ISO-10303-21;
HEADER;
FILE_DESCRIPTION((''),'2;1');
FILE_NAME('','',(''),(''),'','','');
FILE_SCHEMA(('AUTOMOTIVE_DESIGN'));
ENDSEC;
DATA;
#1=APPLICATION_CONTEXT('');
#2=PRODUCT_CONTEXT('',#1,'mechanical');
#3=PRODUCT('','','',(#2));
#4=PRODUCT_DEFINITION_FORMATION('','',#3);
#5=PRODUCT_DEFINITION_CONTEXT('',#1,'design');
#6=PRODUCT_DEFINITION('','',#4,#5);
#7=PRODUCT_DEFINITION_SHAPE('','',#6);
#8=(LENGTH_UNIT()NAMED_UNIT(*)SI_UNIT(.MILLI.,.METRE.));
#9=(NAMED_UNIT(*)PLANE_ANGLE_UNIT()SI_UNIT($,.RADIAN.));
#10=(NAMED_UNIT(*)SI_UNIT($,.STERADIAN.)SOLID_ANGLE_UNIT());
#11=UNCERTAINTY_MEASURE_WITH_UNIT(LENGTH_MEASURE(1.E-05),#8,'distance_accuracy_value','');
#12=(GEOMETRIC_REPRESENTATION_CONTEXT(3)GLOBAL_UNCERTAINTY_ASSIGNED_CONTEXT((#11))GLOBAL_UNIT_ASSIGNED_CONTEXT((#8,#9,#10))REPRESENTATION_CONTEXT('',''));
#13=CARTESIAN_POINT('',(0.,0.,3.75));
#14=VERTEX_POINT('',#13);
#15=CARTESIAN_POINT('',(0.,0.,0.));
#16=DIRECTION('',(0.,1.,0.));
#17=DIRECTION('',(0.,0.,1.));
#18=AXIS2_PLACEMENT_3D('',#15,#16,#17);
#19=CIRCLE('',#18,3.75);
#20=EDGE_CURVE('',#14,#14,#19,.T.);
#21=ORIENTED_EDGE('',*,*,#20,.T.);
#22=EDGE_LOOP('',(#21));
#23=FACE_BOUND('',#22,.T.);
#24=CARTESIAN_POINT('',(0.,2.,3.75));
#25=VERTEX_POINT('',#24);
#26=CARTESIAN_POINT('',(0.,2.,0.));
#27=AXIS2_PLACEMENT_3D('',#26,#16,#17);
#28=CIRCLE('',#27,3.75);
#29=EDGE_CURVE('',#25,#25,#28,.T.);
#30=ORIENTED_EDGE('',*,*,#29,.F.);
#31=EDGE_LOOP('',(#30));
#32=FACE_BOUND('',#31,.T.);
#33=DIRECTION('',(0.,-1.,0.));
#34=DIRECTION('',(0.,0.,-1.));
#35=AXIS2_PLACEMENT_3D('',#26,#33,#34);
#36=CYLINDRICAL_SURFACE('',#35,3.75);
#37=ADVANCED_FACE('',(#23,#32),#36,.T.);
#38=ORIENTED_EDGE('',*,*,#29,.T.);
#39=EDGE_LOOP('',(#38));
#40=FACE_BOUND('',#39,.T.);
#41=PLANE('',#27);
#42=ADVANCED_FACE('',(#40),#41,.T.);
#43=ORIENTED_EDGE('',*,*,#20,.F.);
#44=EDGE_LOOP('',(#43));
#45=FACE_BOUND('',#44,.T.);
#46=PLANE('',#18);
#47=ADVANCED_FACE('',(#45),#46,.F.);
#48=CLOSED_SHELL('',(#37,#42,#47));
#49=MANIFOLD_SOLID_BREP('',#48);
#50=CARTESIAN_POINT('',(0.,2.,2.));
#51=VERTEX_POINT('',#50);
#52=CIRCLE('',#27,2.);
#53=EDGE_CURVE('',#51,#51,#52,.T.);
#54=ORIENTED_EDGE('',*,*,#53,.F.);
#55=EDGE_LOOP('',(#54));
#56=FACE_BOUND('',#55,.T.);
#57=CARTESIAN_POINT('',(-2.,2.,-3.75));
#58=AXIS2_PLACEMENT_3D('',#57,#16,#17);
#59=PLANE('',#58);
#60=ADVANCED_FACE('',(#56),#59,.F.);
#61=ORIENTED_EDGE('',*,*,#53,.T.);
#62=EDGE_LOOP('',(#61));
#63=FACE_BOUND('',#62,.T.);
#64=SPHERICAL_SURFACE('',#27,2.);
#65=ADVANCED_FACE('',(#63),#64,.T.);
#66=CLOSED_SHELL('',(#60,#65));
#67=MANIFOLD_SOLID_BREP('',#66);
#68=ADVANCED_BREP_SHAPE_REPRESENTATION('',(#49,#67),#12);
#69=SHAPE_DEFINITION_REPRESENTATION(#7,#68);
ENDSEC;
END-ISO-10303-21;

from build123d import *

# Parameters (mm, degrees)
SKETCH1_R               = 3.75
BOSS_EXTRUDE1_DEPTH     = 2
CUT_EXTRUDE1_DEPTH      = 7.642665128
CUT_EXTRUDE1_DEPTH_BACK = 7.642665128
SKETCH3_W               = 4
SKETCH3_H               = 2


with BuildPart() as part:
    # Sketch1 → Boss-Extrude1 (new body)
    with BuildSketch(Plane(origin=(0, 0, 0), x_dir=(1, 0, 0), z_dir=(0, 1, 0))):
        with Locations(Location((0, 0, 0), (0, 0, 270))):
            Circle(SKETCH1_R)
    extrude(amount=BOSS_EXTRUDE1_DEPTH)


with BuildPart() as body_2:
    # Sketch2 → Revolve6 (revolve)
    with BuildSketch(Plane(origin=(0, 2, 0), x_dir=(1, 0, 0), z_dir=(0, 1, 0))):
        with BuildLine():
            Line((-2, 0), (2, 0))
            ThreePointArc((2, 0), (0, 2), (-2, 0))
        make_face()
    revolve(axis=Axis((2.864015087, 2, 0), (1, 0, 0)))

    # Sketch3 → Cut-Extrude1 (cut, two sides: drawn at the far end of the back side and taken through both)
    with BuildSketch(Plane.XY.offset(-CUT_EXTRUDE1_DEPTH_BACK)):
        with Locations((0, 1)):
            Rectangle(SKETCH3_W, SKETCH3_H)
    extrude(amount=CUT_EXTRUDE1_DEPTH + CUT_EXTRUDE1_DEPTH_BACK, mode=Mode.SUBTRACT)


solid = Compound([part.part, body_2.part])
